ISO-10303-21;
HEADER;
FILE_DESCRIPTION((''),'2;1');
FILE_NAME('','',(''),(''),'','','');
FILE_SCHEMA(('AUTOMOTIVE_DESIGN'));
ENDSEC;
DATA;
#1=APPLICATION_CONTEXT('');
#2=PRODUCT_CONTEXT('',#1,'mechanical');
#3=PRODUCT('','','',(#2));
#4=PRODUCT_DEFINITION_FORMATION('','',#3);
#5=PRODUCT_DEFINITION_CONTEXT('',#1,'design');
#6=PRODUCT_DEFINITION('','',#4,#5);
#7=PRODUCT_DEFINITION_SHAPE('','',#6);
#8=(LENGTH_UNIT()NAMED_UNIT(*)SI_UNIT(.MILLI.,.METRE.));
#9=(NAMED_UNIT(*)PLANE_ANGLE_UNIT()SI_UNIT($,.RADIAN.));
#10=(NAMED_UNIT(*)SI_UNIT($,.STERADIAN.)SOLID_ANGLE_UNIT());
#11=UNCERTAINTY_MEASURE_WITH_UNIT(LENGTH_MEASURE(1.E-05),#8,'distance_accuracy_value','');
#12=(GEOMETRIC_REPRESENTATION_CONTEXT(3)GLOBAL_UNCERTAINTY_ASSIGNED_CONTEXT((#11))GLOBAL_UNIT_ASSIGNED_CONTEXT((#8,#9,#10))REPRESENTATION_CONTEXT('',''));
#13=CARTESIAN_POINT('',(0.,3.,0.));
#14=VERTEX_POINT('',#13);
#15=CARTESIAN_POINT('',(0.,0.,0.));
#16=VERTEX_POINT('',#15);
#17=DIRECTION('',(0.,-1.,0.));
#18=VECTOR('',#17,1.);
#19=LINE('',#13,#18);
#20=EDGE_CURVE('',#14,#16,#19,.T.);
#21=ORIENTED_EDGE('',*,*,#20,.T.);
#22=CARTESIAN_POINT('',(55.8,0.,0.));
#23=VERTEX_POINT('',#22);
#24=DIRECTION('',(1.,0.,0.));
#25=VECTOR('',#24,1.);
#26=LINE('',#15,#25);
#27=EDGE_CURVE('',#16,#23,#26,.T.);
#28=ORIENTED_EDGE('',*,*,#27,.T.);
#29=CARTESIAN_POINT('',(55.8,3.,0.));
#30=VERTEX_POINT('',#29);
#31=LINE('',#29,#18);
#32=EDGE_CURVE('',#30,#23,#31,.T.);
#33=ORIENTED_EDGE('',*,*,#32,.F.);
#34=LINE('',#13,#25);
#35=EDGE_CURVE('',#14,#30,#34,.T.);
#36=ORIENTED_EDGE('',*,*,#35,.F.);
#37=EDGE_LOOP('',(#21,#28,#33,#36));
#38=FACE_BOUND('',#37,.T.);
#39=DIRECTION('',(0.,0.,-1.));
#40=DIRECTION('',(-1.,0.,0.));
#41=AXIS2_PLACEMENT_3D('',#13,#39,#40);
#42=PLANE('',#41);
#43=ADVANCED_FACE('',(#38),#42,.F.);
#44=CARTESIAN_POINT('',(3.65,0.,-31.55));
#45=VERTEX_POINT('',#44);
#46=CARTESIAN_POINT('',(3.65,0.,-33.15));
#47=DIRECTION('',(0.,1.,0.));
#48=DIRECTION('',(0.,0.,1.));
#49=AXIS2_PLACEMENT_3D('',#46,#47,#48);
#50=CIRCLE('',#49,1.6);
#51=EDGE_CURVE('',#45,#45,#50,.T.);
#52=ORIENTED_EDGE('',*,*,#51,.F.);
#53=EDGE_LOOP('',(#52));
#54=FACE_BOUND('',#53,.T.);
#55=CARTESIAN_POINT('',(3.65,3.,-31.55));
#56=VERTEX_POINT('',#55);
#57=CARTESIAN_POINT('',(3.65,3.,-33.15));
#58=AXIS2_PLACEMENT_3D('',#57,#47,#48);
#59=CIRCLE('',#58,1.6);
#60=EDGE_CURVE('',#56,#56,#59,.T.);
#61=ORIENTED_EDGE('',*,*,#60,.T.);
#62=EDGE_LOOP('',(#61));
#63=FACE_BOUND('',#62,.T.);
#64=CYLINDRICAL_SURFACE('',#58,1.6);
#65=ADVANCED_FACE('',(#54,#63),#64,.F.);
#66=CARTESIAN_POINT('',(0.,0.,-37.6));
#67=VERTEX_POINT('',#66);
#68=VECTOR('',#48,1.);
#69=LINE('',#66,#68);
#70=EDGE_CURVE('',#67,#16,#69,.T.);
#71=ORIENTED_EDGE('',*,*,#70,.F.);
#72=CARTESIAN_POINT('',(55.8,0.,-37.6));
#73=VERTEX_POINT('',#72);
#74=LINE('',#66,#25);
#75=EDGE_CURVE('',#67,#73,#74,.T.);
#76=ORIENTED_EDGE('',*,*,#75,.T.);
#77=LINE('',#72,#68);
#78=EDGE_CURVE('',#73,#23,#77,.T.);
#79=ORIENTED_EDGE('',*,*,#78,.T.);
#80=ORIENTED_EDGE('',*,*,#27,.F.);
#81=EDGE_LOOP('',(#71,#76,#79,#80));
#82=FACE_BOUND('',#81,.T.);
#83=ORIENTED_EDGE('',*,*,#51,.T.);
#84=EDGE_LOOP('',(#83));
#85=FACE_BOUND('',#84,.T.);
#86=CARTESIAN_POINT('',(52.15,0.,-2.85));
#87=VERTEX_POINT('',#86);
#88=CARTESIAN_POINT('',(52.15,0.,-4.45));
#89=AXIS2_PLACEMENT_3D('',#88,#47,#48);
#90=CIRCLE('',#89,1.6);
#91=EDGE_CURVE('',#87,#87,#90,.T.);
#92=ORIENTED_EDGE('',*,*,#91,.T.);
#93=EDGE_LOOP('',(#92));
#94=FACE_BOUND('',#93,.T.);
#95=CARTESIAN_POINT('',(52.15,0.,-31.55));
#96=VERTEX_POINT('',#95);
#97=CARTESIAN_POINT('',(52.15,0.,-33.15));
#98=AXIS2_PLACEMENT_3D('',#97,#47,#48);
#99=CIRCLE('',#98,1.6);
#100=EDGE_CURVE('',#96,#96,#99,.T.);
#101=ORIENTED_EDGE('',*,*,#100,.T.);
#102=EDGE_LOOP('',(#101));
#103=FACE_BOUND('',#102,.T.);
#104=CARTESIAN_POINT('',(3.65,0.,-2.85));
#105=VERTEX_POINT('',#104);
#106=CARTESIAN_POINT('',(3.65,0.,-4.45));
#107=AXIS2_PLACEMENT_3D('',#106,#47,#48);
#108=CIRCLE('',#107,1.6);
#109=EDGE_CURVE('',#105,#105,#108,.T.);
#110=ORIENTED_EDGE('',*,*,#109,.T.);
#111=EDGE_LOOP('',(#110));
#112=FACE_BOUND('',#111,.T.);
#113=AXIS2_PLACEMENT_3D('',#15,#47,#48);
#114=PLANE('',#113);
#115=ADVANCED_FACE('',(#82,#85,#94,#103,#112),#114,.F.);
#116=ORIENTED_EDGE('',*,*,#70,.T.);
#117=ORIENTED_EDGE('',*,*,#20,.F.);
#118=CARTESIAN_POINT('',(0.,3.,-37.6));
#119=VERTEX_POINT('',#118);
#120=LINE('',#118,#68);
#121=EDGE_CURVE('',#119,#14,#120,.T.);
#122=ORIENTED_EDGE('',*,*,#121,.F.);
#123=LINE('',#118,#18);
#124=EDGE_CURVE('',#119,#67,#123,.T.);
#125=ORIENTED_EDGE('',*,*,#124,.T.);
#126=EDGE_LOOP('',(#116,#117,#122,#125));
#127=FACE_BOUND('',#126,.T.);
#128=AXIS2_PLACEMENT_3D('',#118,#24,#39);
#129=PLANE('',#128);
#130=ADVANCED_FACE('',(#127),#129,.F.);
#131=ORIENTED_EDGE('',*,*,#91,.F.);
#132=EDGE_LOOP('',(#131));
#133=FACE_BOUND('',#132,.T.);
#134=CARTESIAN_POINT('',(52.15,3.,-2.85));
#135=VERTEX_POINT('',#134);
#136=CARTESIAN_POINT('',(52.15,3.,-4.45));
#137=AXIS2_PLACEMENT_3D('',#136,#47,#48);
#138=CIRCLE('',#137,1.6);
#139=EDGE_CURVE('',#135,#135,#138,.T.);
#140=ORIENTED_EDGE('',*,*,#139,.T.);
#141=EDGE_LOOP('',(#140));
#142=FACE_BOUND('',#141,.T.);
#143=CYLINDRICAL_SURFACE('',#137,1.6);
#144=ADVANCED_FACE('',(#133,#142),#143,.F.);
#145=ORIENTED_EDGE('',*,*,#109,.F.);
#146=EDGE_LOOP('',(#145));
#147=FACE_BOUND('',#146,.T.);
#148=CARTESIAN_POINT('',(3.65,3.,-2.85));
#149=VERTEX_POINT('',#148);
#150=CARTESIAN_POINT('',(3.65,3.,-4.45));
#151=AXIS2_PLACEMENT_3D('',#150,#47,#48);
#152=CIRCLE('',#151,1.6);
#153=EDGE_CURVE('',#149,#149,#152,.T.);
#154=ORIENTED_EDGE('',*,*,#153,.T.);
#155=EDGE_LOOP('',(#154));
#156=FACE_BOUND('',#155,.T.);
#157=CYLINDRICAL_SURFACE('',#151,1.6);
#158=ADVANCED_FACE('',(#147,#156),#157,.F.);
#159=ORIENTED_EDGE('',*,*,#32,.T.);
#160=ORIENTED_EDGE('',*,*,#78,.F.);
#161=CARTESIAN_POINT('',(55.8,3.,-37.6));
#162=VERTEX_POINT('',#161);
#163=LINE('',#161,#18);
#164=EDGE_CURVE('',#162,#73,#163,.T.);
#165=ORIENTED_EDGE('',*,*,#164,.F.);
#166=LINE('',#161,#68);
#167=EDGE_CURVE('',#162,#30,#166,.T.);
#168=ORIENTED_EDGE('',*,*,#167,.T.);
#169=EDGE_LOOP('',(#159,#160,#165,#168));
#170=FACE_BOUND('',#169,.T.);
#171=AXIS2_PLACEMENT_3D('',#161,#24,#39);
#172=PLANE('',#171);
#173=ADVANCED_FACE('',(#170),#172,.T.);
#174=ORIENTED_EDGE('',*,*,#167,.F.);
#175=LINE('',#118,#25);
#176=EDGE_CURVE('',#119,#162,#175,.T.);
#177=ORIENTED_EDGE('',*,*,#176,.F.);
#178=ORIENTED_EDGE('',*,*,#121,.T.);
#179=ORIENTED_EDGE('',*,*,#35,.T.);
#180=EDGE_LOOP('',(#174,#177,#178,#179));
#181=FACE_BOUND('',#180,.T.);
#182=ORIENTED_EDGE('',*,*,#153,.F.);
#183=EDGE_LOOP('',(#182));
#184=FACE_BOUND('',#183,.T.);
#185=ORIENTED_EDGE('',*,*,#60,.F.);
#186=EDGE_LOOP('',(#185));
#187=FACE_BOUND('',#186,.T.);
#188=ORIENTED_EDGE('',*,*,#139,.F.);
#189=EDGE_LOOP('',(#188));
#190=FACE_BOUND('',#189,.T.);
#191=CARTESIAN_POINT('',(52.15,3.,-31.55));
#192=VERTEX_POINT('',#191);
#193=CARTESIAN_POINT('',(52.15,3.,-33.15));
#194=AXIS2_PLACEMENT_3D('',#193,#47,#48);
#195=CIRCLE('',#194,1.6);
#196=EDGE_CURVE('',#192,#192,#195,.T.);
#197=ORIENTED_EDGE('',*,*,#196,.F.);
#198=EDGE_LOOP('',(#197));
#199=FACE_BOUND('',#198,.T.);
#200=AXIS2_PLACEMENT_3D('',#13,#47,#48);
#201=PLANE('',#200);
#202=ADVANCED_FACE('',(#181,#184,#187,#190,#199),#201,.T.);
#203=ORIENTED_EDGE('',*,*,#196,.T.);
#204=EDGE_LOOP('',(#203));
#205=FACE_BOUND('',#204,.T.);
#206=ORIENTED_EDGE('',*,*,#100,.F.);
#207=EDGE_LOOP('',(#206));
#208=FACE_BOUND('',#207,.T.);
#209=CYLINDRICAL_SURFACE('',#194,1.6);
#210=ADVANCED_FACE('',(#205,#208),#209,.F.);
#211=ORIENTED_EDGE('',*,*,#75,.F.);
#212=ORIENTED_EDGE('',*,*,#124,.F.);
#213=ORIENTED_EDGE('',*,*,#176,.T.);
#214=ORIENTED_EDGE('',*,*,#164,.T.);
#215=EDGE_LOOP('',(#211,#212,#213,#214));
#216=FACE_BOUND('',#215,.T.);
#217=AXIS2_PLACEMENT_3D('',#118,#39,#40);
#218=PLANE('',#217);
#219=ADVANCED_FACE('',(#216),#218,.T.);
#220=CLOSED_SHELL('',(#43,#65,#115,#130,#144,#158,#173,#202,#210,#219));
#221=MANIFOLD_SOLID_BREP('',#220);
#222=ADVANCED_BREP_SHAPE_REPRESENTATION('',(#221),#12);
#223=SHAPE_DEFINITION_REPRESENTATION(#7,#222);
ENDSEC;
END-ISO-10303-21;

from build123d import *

# Parameters (mm, degrees)
SKETCH1_W                = 55.8
SKETCH1_H                = 37.6
BOSS_EXTRUDE1_DEPTH      = 3
M3_CLEARANCE_HOLE1_D     = 3.2
M3_CLEARANCE_HOLE1_DEPTH = 3


with BuildPart() as part:
    # Sketch1 → Boss-Extrude1 (new body)
    with BuildSketch(Plane(origin=(0, 0, 0), x_dir=(1, 0, 0), z_dir=(0, 1, 0))):
        with Locations((27.9, 18.8)):
            Rectangle(SKETCH1_W, SKETCH1_H)
    extrude(amount=BOSS_EXTRUDE1_DEPTH)

    # M3 Clearance Hole1
    with Locations(Plane(origin=(0, 3, 0), x_dir=(1, 0, 0), z_dir=(0, 1, 0))):
        with Locations((3.65, 33.15), (52.15, 33.15), (52.15, 4.45), (3.65, 4.45)):
            Hole(M3_CLEARANCE_HOLE1_D / 2, depth=M3_CLEARANCE_HOLE1_DEPTH)


solid = part.part
